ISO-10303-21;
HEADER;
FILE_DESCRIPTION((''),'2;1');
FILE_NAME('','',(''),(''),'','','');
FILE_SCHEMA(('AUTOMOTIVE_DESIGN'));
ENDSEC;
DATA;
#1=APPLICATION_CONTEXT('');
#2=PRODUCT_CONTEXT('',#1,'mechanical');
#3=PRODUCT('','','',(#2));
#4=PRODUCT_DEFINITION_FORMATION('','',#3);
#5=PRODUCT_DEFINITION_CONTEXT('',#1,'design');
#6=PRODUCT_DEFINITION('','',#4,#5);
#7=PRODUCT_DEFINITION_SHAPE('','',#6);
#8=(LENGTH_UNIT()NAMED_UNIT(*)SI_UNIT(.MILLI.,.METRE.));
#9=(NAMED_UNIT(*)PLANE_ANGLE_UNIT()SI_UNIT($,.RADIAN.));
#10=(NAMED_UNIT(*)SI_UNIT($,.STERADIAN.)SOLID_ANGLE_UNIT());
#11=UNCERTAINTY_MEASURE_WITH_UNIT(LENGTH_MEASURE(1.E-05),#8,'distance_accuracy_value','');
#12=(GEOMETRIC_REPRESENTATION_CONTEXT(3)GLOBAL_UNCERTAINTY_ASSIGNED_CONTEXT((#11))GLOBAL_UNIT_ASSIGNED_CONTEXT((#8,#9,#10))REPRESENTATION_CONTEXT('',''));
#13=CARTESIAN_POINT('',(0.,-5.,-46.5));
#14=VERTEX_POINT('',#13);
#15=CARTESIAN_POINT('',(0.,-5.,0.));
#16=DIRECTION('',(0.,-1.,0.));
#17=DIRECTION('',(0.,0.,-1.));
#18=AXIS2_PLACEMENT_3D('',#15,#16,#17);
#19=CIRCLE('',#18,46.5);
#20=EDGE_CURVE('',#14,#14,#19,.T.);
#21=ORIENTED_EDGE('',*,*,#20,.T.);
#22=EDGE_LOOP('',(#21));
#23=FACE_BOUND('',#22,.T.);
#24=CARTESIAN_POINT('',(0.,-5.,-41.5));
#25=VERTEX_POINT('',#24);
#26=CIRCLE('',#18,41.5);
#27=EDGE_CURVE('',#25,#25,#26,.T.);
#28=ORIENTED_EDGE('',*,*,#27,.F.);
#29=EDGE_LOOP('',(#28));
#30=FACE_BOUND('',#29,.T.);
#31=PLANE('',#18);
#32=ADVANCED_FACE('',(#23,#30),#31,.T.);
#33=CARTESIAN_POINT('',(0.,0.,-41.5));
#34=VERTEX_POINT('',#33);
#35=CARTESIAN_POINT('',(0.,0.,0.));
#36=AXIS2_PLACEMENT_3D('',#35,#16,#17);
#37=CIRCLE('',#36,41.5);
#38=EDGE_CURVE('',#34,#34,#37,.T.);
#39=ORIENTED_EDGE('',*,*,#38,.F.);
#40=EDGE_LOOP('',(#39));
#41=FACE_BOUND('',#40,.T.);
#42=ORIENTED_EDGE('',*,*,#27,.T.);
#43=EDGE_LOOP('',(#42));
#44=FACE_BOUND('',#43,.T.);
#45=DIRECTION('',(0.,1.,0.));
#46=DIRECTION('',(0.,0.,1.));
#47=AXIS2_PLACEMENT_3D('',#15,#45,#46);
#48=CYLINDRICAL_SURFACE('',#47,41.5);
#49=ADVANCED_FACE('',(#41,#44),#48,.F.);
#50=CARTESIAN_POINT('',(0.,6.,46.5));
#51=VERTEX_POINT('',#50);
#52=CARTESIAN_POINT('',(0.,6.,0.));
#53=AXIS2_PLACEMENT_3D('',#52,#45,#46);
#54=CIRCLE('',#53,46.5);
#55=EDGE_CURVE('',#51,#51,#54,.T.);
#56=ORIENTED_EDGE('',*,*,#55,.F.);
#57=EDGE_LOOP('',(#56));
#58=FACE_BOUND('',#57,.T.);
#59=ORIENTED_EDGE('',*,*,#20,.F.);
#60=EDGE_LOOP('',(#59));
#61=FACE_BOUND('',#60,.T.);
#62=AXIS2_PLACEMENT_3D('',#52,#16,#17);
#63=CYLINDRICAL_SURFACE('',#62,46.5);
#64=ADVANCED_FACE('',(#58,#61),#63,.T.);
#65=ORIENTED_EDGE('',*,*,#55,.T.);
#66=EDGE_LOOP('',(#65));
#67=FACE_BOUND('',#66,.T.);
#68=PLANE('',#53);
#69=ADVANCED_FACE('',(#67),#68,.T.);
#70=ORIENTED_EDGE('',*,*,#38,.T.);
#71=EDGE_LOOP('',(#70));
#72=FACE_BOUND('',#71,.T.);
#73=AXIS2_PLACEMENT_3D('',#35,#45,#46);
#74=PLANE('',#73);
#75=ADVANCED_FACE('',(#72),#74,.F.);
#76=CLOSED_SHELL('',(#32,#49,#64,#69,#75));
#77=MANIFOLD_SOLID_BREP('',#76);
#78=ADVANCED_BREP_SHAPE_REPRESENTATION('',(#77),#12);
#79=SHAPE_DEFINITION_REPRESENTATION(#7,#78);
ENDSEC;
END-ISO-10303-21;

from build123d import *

# Parameters (mm, degrees)
SKETCH_1_R      = 46.5
EXTRUDE_1_DEPTH = 6
EXTRUDE_START   = 5
SKETCH_2_R      = 46.5
SKETCH_2_R_2    = 41.5
EXTRUDE_2_DEPTH = 5


with BuildPart() as part:
    # Эскиз1 → Бобышка-Вытянуть1 (new body)
    with BuildSketch(Plane(origin=(0, 0, 0), x_dir=(1, 0, 0), z_dir=(0, 1, 0))):
        with Locations(Location((0, 0, 0), (0, 0, 270))):
            Circle(SKETCH_1_R)
    extrude(amount=EXTRUDE_1_DEPTH)

    # Эскиз2 → Бобышка-Вытянуть2 (add)
    with BuildSketch(Plane.XZ.offset(EXTRUDE_START)):
        with Locations(Location((0, 0, 0), (0, 0, 270))):
            Circle(SKETCH_2_R)
        with Locations(Location((0, 0, 0), (0, 0, 270))):
            Circle(SKETCH_2_R_2, mode=Mode.SUBTRACT)
    extrude(amount=-EXTRUDE_2_DEPTH)


solid = part.part
